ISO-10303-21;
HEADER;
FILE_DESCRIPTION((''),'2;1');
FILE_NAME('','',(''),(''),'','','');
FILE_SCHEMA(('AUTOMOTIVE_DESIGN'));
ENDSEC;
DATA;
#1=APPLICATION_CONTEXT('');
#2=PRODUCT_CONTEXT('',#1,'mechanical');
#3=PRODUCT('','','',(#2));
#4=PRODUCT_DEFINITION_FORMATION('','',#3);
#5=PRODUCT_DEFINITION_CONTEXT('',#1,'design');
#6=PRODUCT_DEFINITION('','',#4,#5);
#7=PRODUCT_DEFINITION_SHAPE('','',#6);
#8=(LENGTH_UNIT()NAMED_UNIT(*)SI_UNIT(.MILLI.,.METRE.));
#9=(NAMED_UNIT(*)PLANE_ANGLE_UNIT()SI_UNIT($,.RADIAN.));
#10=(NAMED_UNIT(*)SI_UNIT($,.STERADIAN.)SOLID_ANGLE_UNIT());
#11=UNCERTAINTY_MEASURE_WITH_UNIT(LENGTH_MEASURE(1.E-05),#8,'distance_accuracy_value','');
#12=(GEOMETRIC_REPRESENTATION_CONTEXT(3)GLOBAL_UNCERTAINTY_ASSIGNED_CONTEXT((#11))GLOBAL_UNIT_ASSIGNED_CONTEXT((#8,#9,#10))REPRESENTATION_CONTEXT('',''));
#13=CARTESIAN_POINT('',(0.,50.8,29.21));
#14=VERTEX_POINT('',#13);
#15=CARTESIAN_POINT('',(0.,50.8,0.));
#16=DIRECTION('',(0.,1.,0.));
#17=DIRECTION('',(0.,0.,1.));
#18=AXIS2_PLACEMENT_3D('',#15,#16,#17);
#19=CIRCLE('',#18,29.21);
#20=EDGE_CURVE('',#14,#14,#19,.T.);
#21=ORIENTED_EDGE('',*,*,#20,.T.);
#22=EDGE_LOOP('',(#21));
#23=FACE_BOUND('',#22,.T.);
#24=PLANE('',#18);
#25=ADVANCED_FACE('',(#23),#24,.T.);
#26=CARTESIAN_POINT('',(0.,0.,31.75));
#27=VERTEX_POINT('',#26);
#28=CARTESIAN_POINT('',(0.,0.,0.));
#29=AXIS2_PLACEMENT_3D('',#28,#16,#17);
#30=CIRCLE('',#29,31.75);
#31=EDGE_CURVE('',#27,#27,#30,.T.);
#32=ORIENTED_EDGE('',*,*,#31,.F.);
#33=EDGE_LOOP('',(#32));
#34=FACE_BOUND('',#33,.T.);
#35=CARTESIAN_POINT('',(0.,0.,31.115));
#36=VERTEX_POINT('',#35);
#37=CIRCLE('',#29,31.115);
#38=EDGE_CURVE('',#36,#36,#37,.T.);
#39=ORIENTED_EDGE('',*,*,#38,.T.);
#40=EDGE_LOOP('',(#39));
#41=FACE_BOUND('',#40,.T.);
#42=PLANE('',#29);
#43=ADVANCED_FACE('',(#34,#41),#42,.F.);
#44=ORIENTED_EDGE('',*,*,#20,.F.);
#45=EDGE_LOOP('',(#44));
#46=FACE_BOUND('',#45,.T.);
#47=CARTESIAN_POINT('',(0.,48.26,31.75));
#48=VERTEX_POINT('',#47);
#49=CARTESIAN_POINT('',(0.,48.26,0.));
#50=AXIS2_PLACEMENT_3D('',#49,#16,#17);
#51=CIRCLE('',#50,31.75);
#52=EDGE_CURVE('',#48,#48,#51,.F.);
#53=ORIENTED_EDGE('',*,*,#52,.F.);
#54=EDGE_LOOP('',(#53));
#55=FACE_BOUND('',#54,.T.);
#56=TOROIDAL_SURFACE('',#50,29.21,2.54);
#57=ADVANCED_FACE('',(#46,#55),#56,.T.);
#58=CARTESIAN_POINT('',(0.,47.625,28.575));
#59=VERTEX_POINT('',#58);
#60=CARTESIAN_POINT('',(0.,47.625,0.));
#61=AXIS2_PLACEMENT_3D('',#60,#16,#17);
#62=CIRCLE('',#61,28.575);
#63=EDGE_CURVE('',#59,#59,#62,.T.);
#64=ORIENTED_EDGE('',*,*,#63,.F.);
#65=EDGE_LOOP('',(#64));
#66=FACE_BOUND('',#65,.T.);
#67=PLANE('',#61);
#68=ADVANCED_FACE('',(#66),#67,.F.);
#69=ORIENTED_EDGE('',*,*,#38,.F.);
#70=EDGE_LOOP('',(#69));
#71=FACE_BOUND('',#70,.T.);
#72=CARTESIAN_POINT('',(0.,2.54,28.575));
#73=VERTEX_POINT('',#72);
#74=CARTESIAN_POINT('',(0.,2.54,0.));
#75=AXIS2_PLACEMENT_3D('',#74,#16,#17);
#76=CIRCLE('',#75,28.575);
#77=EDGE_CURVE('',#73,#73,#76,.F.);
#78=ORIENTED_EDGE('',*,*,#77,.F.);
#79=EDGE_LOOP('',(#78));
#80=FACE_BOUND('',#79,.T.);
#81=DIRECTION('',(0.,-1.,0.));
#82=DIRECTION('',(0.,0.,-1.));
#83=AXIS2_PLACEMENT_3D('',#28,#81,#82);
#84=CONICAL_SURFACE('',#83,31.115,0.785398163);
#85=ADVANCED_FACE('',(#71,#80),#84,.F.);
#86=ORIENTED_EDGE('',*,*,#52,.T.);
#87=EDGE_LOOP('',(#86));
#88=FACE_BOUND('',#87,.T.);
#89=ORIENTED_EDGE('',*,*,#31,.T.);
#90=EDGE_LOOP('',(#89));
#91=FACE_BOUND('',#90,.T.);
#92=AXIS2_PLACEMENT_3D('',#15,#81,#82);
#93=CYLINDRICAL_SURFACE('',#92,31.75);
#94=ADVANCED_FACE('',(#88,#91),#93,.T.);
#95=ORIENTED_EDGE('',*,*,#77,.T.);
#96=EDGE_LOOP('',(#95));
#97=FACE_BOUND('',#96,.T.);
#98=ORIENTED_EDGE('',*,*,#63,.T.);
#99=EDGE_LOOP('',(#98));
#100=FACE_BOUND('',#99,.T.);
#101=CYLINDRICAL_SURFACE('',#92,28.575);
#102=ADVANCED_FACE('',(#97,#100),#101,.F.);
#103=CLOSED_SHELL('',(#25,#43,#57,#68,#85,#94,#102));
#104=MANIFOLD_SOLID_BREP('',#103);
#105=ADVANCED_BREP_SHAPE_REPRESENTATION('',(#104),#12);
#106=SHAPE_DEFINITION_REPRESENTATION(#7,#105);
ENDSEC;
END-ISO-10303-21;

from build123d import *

# Parameters (mm, degrees)
SKETCH2_R           = 31.75
BOSS_EXTRUDE2_DEPTH = 50.8
SHELL1_T            = -3.175
FILLET2_R           = 2.54
CHAMFER1_SIZE       = 2.54


with BuildPart() as part:
    # Sketch2 → Boss-Extrude2 (new body)
    with BuildSketch(Plane(origin=(0, 0, 0), x_dir=(1, 0, 0), z_dir=(0, 1, 0))):
        with Locations(Location((0, 0, 0), (0, 0, 270))):
            Circle(SKETCH2_R)
    extrude(amount=BOSS_EXTRUDE2_DEPTH)

    # Shell1
    shell1_openings = [part.faces().sort_by_distance(p)[0] for p in [
        (0, 0, 0),
    ]]
    offset(amount=SHELL1_T, openings=shell1_openings, kind=Kind.INTERSECTION)

    # Fillet2
    fillet2_edges = [part.edges().sort_by_distance(p)[0] for p in [
        (0, 50.8, -31.75),
    ]]
    fillet(fillet2_edges, radius=FILLET2_R)

    # Chamfer1
    chamfer1_edges = [part.edges().sort_by_distance(p)[0] for p in [
        (0, 0, -28.575),
    ]]
    chamfer(chamfer1_edges, length=CHAMFER1_SIZE)


solid = part.part
